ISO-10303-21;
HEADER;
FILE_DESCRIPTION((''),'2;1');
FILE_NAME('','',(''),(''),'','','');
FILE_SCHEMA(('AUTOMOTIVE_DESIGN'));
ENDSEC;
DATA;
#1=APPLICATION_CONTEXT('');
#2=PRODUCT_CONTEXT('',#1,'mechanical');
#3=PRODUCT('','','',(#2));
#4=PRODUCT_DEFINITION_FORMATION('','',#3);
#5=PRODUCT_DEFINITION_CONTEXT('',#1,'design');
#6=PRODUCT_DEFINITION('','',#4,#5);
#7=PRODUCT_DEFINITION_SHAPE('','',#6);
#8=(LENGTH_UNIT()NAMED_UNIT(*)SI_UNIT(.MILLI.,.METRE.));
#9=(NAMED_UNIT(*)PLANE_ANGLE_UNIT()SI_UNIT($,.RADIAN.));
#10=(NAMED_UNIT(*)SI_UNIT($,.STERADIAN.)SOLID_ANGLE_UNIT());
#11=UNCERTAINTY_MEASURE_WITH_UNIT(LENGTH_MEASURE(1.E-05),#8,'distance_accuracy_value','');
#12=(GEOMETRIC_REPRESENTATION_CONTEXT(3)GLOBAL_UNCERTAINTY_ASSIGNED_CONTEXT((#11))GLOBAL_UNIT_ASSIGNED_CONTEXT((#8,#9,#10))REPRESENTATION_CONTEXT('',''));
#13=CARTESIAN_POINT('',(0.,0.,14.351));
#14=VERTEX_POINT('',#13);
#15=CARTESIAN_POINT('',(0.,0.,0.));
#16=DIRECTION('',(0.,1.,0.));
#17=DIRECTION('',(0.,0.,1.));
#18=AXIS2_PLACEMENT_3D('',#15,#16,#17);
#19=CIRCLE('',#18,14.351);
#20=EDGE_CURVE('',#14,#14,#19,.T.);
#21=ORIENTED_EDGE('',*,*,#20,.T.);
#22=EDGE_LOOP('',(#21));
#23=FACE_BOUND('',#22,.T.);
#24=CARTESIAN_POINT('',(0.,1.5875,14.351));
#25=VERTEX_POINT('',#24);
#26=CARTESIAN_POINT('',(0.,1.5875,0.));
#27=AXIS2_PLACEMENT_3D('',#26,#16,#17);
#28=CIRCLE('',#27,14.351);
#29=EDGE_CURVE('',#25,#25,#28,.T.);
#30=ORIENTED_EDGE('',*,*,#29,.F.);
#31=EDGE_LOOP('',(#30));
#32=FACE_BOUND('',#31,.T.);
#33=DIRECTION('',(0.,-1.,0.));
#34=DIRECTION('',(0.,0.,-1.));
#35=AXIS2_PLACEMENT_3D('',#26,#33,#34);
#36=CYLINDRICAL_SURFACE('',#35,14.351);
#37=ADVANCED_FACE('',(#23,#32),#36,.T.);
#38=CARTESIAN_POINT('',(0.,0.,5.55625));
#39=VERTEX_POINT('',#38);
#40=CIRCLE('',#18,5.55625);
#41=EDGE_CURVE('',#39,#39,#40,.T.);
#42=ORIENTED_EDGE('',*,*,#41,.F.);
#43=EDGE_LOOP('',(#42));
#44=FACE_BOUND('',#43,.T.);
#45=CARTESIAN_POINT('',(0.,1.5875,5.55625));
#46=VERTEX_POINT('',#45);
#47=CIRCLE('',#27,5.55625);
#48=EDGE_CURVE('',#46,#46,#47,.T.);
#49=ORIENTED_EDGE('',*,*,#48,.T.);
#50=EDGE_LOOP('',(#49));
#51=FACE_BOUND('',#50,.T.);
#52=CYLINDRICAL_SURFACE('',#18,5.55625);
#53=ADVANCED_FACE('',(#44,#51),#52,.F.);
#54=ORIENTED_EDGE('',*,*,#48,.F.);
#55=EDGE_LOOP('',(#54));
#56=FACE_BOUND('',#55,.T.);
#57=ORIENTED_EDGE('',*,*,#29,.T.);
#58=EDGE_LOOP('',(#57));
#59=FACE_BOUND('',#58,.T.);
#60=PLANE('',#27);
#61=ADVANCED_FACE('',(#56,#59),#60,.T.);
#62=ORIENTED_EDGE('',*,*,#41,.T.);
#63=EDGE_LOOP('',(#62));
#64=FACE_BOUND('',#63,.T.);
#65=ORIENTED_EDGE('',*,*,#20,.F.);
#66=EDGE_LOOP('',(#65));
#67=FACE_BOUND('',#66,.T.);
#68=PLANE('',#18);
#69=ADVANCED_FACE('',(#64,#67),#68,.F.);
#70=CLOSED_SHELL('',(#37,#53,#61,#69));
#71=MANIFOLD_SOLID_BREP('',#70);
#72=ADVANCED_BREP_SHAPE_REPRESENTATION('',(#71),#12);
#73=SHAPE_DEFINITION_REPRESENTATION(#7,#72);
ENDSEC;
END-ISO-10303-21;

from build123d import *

# Parameters (mm, degrees)
SKETCH1_R           = 14.351
BOSS_EXTRUDE1_DEPTH = 1.5875
SKETCH2_R           = 5.55625
CUT_EXTRUDE1_DEPTH  = 21.357371104


with BuildPart() as part:
    # Sketch1 → Boss-Extrude1 (new body)
    with BuildSketch(Plane(origin=(0, 0, 0), x_dir=(1, 0, 0), z_dir=(0, 1, 0))):
        with Locations(Location((0, 0, 0), (0, 0, 270))):
            Circle(SKETCH1_R)
    extrude(amount=BOSS_EXTRUDE1_DEPTH)

    # Sketch2 → Cut-Extrude1 (cut, through all)
    with BuildSketch(Plane(origin=(0, 1.5875, 0), x_dir=(1, 0, 0), z_dir=(0, 1, 0))):
        with Locations(Location((0, 0, 0), (0, 0, 270))):
            Circle(SKETCH2_R)
    extrude(amount=-CUT_EXTRUDE1_DEPTH, mode=Mode.SUBTRACT)


solid = part.part
